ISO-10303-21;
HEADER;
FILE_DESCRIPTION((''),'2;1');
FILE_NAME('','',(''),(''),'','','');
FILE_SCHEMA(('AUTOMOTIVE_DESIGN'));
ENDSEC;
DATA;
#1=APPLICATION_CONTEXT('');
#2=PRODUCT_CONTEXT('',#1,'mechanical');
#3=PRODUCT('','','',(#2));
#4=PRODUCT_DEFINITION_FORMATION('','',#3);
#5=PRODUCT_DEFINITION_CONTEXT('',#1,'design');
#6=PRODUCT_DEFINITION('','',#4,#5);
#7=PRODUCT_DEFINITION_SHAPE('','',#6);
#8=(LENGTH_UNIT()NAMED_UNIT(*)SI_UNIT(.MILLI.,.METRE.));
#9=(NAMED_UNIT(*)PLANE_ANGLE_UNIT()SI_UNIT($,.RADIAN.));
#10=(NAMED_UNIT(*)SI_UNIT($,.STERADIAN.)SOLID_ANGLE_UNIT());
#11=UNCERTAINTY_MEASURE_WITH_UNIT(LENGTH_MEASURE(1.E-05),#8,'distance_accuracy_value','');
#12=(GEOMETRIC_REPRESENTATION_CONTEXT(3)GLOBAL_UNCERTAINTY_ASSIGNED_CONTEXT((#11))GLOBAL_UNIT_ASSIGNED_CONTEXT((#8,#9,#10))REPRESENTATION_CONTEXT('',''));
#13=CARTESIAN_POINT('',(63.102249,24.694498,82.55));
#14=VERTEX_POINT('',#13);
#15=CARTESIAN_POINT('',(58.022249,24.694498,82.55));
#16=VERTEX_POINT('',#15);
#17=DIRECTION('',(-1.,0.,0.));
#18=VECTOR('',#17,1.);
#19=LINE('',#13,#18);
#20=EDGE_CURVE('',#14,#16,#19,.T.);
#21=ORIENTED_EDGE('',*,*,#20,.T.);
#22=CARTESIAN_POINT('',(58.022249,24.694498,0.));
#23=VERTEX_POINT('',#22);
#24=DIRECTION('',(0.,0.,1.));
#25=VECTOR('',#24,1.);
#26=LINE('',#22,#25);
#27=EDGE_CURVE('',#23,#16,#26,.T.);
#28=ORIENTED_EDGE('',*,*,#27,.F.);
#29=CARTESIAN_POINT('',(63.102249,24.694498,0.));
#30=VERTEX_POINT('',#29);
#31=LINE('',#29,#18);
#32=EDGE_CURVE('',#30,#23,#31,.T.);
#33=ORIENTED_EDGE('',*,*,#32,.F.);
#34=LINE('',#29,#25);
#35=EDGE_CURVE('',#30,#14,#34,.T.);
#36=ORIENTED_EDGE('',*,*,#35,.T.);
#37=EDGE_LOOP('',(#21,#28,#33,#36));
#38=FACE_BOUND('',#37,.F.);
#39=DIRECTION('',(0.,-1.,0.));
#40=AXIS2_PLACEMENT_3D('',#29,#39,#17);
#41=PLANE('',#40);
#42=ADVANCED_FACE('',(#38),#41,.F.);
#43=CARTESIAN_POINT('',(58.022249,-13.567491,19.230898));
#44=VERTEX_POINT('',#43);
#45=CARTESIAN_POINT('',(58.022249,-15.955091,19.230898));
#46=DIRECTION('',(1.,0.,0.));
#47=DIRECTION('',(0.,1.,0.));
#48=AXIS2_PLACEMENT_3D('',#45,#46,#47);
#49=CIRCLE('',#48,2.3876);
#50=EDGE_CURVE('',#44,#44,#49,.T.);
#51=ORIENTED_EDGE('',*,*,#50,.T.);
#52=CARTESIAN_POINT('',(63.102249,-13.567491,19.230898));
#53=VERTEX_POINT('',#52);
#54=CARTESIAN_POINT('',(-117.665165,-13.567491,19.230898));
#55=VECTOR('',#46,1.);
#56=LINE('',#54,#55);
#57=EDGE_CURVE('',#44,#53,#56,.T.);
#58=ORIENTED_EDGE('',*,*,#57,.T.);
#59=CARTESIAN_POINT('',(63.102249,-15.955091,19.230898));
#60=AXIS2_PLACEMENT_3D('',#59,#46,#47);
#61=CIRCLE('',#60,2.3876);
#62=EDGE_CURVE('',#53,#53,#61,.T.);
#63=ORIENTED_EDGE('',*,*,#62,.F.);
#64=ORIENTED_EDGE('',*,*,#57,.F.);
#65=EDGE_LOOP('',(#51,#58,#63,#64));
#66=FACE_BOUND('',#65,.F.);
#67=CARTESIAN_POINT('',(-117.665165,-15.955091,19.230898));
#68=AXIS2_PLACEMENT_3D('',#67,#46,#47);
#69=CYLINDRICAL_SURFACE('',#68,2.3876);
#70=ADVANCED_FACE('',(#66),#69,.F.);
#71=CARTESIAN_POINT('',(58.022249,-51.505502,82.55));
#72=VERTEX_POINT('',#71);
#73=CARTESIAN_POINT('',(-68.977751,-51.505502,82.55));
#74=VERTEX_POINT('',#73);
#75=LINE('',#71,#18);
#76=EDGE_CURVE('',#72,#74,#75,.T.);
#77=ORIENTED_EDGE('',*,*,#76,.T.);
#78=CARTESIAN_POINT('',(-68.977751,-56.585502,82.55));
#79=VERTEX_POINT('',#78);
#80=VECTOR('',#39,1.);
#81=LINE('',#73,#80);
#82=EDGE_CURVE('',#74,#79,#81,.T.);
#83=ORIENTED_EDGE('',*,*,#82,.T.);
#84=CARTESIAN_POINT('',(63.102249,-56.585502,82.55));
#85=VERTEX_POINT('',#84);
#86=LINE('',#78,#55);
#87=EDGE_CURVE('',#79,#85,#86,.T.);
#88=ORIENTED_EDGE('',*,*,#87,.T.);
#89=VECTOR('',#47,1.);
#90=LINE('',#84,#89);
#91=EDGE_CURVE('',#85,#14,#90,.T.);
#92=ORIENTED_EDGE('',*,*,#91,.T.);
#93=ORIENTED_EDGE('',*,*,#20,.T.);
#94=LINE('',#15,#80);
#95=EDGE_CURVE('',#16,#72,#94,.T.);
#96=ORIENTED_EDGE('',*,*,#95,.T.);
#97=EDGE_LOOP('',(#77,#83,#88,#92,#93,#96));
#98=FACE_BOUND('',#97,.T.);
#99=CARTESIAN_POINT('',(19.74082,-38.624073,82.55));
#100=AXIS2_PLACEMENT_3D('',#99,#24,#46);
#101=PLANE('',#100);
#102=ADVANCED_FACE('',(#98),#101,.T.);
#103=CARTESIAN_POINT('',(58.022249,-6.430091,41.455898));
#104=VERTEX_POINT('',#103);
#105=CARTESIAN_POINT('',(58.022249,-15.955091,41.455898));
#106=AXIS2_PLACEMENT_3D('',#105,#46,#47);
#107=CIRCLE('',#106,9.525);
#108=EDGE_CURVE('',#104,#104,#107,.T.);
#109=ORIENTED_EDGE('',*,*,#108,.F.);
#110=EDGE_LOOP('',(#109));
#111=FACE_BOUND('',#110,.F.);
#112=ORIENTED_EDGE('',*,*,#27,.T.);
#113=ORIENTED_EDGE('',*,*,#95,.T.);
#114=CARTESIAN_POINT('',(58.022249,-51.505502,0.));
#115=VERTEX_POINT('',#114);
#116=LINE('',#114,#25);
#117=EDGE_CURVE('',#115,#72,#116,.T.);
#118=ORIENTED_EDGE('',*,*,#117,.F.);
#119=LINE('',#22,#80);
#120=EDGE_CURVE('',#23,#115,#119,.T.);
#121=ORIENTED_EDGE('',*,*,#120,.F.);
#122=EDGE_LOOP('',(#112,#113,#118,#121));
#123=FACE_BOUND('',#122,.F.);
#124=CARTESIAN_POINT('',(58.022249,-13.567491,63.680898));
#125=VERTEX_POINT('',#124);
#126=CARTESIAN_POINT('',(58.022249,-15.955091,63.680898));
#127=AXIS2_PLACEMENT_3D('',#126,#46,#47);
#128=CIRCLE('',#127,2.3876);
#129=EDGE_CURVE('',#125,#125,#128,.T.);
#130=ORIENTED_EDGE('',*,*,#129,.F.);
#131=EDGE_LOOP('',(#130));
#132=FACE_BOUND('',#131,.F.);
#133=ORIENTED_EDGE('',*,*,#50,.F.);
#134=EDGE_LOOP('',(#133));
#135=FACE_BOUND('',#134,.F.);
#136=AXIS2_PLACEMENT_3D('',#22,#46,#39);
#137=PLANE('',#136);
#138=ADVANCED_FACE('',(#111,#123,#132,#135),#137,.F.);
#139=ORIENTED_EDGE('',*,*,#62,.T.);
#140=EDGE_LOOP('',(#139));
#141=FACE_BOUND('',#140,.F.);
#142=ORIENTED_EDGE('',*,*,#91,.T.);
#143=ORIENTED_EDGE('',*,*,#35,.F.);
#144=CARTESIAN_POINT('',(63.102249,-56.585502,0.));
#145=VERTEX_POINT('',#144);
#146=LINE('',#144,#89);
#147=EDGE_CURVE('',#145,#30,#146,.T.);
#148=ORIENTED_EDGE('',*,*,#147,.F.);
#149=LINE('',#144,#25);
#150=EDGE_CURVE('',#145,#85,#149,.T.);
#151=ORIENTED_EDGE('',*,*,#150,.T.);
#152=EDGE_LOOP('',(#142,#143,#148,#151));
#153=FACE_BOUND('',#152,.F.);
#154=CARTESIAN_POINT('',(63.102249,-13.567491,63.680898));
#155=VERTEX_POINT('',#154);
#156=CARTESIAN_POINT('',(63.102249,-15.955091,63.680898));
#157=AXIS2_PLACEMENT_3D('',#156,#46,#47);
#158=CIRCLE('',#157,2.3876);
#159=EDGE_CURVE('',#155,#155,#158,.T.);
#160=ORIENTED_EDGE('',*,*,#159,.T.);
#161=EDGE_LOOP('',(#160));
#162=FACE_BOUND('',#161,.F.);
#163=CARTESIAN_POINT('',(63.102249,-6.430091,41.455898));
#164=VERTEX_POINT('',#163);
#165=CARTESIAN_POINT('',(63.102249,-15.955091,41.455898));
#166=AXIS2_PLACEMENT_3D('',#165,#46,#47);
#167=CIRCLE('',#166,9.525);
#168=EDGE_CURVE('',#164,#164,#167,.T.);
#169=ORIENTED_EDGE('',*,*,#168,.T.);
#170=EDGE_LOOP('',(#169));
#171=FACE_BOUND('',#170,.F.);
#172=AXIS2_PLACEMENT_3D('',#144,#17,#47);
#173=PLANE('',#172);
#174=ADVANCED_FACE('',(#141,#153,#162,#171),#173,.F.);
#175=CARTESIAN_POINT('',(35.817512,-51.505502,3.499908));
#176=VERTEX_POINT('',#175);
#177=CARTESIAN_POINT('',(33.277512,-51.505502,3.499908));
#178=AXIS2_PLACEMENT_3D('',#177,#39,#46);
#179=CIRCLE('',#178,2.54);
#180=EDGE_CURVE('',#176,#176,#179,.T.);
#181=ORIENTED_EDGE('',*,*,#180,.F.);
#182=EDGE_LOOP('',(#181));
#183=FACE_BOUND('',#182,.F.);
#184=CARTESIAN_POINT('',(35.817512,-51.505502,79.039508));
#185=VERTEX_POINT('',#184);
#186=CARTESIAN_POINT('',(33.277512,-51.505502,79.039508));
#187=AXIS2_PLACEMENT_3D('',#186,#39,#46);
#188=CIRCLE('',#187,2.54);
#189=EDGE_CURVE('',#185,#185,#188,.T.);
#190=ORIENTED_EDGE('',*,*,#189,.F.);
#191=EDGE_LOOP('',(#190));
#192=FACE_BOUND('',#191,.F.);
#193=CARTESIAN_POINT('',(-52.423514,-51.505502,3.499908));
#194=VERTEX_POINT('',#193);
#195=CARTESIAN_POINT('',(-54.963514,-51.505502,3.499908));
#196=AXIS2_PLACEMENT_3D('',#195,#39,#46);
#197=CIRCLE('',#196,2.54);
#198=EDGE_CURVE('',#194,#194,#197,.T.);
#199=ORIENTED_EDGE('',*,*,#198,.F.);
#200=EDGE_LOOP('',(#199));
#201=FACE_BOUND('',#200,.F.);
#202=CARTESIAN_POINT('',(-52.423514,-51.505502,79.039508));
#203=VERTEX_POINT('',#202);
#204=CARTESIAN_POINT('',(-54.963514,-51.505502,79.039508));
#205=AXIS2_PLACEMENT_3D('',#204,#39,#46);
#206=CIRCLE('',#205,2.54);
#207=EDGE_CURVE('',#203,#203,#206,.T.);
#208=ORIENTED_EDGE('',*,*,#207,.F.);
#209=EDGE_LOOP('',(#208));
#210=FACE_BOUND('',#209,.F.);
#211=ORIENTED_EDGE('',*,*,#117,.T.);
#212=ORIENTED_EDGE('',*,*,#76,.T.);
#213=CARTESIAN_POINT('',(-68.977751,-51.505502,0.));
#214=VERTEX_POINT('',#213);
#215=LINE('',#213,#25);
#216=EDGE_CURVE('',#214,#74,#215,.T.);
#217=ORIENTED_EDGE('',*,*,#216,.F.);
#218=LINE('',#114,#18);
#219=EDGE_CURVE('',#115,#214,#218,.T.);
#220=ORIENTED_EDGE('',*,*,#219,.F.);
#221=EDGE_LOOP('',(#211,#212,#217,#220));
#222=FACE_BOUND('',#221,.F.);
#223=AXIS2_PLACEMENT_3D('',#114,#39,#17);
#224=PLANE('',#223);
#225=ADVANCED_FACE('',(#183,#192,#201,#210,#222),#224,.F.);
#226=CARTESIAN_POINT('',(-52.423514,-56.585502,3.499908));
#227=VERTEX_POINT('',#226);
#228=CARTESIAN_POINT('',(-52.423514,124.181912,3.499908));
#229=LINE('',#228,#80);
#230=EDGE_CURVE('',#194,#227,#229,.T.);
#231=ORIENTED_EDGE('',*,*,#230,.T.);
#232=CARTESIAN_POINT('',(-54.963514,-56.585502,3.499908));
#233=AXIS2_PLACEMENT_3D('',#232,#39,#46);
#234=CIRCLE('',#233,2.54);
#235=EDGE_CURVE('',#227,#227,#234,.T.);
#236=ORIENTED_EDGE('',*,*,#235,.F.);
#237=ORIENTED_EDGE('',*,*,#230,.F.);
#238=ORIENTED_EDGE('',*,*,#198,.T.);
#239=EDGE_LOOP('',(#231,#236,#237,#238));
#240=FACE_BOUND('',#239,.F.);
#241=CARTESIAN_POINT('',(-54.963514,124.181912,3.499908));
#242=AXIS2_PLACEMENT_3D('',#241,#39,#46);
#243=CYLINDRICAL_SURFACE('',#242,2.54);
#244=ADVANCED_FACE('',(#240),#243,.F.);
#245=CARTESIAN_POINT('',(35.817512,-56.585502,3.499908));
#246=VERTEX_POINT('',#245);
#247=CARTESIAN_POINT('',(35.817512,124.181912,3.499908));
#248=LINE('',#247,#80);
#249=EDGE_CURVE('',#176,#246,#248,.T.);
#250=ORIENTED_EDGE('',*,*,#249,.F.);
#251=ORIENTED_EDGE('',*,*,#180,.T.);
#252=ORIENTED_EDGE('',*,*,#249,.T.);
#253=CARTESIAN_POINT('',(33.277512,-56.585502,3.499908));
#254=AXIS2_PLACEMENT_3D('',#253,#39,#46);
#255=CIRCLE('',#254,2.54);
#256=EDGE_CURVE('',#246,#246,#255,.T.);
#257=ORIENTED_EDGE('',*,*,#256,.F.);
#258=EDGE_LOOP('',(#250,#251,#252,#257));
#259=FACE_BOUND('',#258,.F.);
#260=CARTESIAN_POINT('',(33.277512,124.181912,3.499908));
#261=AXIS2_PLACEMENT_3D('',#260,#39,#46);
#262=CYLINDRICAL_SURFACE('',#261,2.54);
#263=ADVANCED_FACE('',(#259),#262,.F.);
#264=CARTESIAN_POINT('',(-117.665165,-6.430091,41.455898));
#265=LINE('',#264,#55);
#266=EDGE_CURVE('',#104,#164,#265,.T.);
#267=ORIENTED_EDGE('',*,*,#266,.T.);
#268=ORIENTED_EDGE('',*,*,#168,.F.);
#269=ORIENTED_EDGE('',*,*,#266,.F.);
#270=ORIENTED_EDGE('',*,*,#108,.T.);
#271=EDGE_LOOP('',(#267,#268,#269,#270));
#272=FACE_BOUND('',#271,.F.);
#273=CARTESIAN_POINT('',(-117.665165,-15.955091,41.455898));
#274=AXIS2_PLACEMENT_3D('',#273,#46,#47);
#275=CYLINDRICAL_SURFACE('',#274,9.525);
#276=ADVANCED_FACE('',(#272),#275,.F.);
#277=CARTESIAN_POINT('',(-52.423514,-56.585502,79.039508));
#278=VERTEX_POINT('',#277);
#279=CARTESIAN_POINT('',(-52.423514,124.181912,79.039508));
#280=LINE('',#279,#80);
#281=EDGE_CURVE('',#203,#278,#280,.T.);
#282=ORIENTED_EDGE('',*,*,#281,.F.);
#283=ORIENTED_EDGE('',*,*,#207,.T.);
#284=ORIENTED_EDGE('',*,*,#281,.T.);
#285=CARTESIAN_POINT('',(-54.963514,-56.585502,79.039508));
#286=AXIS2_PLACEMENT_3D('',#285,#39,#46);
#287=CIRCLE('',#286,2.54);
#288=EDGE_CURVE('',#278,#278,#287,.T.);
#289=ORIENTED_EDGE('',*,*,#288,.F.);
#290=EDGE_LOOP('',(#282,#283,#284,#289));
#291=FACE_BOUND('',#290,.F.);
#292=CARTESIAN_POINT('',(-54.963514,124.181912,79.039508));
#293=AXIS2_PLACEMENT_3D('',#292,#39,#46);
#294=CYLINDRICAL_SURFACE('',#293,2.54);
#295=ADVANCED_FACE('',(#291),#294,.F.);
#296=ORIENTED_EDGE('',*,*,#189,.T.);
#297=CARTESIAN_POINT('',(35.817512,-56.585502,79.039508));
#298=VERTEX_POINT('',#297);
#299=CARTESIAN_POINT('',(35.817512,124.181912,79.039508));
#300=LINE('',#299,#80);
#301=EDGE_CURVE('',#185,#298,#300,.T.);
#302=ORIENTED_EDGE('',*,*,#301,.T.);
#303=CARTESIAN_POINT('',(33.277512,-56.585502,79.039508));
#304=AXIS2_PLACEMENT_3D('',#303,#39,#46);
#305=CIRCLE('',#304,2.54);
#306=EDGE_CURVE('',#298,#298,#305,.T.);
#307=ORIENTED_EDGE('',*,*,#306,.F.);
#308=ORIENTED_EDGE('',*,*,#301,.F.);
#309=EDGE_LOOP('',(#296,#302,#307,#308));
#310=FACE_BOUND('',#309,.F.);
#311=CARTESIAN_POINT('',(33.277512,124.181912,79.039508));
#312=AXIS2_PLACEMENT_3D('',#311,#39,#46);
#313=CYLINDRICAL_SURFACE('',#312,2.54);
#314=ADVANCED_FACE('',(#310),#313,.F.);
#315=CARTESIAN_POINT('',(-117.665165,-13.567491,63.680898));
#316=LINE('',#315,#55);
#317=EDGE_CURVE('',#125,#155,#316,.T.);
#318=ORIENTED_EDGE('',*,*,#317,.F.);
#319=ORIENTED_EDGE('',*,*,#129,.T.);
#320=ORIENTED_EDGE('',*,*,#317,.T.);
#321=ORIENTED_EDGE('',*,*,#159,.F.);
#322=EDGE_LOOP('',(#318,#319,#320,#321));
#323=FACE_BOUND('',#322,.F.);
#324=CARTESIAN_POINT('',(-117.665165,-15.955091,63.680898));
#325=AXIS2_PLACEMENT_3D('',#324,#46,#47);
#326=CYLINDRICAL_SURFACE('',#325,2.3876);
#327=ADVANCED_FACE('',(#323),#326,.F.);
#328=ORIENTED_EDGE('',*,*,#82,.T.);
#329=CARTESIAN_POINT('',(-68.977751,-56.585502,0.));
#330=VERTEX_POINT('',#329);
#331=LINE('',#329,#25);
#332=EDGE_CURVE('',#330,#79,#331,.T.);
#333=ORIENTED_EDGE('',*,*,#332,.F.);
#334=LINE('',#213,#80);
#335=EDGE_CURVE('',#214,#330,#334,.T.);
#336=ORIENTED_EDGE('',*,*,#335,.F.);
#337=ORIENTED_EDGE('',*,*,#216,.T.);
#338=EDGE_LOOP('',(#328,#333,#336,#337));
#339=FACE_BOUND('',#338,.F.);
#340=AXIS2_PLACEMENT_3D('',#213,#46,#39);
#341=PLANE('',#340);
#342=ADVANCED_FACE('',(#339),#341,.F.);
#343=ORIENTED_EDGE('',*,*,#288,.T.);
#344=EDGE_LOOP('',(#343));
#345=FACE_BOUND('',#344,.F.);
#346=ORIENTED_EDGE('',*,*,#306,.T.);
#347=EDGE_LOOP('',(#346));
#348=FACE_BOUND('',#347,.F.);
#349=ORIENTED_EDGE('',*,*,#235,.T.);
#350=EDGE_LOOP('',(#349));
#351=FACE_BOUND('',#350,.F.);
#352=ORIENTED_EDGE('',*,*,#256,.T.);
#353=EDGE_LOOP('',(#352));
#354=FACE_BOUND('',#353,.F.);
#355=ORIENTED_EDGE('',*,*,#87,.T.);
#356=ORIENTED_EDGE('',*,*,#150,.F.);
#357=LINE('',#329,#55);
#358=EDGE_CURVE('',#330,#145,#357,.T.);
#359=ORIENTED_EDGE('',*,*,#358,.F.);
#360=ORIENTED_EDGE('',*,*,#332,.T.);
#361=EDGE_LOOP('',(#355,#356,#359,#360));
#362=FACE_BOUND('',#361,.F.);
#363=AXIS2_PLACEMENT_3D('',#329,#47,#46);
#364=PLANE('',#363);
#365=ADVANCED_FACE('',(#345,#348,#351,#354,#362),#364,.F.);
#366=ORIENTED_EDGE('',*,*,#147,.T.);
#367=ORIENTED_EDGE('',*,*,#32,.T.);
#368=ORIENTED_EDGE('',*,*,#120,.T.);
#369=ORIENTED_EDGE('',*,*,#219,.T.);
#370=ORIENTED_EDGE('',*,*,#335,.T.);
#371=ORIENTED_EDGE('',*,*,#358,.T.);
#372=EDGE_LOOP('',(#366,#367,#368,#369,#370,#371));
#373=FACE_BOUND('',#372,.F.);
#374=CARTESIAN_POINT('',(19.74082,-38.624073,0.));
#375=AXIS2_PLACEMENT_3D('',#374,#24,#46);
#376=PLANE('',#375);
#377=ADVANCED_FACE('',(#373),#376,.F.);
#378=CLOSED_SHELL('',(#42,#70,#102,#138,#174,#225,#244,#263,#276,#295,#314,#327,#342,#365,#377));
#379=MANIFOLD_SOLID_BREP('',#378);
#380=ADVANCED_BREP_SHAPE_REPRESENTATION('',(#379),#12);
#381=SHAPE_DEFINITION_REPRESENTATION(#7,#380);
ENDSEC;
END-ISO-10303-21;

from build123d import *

# Parameters (mm, degrees)
F1_DEPTH = 82.55
F3_D     = 19.05
F4_D     = 4.7752
F5_D     = 4.7752
F7_D     = 5.08


with BuildPart() as f1:
    # F0 (on Top) → F1 (new body)
    with BuildSketch(Plane.XY):
        Polygon((58.022249, -51.505502), (-68.977751, -51.505502), (-68.977751, -56.585502), (63.102249, -56.585502), (63.102249, 24.694498), (58.022249, 24.694498), align=None)
    extrude(amount=F1_DEPTH)

    # F3 (through all)
    with Locations(Plane(origin=(58.022249, 0, 0), x_dir=(0, -1, 0), z_dir=(-1, 0, 0))):
        with Locations((15.955091, 41.455898)):
            Hole(F3_D / 2)

    # F4 (through all)
    with Locations(Plane(origin=(58.022249, 0, 0), x_dir=(0, -1, 0), z_dir=(-1, 0, 0))):
        with Locations((15.955091, 63.680898)):
            Hole(F4_D / 2)

    # F5 (through all)
    with Locations(Plane(origin=(58.022249, 0, 0), x_dir=(0, -1, 0), z_dir=(-1, 0, 0))):
        with Locations((15.955091, 19.230898)):
            Hole(F5_D / 2)

    # F7 (through all)
    with Locations(Plane(origin=(0, -51.505502, 0), x_dir=(-1, 0, 0), z_dir=(0, 1, 0))):
        with Locations((-33.277512, 79.039508), (54.963514, 79.039508), (54.963514, 3.499908), (-33.277512, 3.499908)):
            Hole(F7_D / 2)


solid = f1.part
